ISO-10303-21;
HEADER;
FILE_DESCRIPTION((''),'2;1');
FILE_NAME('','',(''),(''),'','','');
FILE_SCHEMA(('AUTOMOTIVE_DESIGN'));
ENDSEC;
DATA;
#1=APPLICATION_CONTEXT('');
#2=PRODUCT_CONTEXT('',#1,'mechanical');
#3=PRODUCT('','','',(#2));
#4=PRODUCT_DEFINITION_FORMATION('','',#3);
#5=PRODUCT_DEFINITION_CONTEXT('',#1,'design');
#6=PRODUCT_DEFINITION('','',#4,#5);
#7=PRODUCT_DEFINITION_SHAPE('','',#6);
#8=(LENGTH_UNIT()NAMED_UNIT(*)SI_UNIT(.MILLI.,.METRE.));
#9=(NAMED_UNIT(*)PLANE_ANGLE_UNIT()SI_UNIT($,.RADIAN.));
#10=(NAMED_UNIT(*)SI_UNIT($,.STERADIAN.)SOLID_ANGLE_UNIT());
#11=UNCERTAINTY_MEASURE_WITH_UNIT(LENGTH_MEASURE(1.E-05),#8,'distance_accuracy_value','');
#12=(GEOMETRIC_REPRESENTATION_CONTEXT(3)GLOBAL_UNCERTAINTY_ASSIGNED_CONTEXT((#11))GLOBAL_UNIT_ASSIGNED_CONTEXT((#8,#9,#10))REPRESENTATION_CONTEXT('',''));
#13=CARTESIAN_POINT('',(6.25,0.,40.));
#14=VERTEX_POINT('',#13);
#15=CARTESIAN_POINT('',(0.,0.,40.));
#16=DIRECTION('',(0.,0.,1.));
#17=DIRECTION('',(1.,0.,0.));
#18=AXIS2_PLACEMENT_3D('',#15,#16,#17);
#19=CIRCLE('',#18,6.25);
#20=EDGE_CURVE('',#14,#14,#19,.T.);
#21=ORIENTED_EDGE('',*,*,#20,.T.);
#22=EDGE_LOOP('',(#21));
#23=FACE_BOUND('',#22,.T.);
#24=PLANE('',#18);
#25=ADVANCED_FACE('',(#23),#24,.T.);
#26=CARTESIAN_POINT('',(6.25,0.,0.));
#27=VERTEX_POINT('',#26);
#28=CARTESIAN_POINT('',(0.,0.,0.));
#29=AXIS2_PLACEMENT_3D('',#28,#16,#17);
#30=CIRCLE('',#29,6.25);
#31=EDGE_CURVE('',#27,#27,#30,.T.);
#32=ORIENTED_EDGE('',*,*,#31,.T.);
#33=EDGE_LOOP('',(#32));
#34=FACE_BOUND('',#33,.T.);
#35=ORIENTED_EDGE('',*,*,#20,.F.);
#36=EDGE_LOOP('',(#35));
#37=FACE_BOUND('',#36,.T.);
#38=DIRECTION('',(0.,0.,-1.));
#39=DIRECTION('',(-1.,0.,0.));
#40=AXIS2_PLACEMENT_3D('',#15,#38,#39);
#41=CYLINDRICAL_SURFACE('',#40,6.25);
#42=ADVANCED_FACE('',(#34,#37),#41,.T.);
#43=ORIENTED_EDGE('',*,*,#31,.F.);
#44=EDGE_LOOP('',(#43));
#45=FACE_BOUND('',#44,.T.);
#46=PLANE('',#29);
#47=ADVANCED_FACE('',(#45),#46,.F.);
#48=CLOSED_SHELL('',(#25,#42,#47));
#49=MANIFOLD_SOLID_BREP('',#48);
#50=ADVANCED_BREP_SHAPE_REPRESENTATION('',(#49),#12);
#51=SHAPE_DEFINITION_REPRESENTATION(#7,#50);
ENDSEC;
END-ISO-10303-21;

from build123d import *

# Parameters (mm, degrees)
SKETCH1_R           = 6.25
BOSS_EXTRUDE1_DEPTH = 40


with BuildPart() as part:
    # Sketch1 → Boss-Extrude1 (new body)
    with BuildSketch(Plane.XY):
        Circle(SKETCH1_R)
    extrude(amount=BOSS_EXTRUDE1_DEPTH)


solid = part.part
